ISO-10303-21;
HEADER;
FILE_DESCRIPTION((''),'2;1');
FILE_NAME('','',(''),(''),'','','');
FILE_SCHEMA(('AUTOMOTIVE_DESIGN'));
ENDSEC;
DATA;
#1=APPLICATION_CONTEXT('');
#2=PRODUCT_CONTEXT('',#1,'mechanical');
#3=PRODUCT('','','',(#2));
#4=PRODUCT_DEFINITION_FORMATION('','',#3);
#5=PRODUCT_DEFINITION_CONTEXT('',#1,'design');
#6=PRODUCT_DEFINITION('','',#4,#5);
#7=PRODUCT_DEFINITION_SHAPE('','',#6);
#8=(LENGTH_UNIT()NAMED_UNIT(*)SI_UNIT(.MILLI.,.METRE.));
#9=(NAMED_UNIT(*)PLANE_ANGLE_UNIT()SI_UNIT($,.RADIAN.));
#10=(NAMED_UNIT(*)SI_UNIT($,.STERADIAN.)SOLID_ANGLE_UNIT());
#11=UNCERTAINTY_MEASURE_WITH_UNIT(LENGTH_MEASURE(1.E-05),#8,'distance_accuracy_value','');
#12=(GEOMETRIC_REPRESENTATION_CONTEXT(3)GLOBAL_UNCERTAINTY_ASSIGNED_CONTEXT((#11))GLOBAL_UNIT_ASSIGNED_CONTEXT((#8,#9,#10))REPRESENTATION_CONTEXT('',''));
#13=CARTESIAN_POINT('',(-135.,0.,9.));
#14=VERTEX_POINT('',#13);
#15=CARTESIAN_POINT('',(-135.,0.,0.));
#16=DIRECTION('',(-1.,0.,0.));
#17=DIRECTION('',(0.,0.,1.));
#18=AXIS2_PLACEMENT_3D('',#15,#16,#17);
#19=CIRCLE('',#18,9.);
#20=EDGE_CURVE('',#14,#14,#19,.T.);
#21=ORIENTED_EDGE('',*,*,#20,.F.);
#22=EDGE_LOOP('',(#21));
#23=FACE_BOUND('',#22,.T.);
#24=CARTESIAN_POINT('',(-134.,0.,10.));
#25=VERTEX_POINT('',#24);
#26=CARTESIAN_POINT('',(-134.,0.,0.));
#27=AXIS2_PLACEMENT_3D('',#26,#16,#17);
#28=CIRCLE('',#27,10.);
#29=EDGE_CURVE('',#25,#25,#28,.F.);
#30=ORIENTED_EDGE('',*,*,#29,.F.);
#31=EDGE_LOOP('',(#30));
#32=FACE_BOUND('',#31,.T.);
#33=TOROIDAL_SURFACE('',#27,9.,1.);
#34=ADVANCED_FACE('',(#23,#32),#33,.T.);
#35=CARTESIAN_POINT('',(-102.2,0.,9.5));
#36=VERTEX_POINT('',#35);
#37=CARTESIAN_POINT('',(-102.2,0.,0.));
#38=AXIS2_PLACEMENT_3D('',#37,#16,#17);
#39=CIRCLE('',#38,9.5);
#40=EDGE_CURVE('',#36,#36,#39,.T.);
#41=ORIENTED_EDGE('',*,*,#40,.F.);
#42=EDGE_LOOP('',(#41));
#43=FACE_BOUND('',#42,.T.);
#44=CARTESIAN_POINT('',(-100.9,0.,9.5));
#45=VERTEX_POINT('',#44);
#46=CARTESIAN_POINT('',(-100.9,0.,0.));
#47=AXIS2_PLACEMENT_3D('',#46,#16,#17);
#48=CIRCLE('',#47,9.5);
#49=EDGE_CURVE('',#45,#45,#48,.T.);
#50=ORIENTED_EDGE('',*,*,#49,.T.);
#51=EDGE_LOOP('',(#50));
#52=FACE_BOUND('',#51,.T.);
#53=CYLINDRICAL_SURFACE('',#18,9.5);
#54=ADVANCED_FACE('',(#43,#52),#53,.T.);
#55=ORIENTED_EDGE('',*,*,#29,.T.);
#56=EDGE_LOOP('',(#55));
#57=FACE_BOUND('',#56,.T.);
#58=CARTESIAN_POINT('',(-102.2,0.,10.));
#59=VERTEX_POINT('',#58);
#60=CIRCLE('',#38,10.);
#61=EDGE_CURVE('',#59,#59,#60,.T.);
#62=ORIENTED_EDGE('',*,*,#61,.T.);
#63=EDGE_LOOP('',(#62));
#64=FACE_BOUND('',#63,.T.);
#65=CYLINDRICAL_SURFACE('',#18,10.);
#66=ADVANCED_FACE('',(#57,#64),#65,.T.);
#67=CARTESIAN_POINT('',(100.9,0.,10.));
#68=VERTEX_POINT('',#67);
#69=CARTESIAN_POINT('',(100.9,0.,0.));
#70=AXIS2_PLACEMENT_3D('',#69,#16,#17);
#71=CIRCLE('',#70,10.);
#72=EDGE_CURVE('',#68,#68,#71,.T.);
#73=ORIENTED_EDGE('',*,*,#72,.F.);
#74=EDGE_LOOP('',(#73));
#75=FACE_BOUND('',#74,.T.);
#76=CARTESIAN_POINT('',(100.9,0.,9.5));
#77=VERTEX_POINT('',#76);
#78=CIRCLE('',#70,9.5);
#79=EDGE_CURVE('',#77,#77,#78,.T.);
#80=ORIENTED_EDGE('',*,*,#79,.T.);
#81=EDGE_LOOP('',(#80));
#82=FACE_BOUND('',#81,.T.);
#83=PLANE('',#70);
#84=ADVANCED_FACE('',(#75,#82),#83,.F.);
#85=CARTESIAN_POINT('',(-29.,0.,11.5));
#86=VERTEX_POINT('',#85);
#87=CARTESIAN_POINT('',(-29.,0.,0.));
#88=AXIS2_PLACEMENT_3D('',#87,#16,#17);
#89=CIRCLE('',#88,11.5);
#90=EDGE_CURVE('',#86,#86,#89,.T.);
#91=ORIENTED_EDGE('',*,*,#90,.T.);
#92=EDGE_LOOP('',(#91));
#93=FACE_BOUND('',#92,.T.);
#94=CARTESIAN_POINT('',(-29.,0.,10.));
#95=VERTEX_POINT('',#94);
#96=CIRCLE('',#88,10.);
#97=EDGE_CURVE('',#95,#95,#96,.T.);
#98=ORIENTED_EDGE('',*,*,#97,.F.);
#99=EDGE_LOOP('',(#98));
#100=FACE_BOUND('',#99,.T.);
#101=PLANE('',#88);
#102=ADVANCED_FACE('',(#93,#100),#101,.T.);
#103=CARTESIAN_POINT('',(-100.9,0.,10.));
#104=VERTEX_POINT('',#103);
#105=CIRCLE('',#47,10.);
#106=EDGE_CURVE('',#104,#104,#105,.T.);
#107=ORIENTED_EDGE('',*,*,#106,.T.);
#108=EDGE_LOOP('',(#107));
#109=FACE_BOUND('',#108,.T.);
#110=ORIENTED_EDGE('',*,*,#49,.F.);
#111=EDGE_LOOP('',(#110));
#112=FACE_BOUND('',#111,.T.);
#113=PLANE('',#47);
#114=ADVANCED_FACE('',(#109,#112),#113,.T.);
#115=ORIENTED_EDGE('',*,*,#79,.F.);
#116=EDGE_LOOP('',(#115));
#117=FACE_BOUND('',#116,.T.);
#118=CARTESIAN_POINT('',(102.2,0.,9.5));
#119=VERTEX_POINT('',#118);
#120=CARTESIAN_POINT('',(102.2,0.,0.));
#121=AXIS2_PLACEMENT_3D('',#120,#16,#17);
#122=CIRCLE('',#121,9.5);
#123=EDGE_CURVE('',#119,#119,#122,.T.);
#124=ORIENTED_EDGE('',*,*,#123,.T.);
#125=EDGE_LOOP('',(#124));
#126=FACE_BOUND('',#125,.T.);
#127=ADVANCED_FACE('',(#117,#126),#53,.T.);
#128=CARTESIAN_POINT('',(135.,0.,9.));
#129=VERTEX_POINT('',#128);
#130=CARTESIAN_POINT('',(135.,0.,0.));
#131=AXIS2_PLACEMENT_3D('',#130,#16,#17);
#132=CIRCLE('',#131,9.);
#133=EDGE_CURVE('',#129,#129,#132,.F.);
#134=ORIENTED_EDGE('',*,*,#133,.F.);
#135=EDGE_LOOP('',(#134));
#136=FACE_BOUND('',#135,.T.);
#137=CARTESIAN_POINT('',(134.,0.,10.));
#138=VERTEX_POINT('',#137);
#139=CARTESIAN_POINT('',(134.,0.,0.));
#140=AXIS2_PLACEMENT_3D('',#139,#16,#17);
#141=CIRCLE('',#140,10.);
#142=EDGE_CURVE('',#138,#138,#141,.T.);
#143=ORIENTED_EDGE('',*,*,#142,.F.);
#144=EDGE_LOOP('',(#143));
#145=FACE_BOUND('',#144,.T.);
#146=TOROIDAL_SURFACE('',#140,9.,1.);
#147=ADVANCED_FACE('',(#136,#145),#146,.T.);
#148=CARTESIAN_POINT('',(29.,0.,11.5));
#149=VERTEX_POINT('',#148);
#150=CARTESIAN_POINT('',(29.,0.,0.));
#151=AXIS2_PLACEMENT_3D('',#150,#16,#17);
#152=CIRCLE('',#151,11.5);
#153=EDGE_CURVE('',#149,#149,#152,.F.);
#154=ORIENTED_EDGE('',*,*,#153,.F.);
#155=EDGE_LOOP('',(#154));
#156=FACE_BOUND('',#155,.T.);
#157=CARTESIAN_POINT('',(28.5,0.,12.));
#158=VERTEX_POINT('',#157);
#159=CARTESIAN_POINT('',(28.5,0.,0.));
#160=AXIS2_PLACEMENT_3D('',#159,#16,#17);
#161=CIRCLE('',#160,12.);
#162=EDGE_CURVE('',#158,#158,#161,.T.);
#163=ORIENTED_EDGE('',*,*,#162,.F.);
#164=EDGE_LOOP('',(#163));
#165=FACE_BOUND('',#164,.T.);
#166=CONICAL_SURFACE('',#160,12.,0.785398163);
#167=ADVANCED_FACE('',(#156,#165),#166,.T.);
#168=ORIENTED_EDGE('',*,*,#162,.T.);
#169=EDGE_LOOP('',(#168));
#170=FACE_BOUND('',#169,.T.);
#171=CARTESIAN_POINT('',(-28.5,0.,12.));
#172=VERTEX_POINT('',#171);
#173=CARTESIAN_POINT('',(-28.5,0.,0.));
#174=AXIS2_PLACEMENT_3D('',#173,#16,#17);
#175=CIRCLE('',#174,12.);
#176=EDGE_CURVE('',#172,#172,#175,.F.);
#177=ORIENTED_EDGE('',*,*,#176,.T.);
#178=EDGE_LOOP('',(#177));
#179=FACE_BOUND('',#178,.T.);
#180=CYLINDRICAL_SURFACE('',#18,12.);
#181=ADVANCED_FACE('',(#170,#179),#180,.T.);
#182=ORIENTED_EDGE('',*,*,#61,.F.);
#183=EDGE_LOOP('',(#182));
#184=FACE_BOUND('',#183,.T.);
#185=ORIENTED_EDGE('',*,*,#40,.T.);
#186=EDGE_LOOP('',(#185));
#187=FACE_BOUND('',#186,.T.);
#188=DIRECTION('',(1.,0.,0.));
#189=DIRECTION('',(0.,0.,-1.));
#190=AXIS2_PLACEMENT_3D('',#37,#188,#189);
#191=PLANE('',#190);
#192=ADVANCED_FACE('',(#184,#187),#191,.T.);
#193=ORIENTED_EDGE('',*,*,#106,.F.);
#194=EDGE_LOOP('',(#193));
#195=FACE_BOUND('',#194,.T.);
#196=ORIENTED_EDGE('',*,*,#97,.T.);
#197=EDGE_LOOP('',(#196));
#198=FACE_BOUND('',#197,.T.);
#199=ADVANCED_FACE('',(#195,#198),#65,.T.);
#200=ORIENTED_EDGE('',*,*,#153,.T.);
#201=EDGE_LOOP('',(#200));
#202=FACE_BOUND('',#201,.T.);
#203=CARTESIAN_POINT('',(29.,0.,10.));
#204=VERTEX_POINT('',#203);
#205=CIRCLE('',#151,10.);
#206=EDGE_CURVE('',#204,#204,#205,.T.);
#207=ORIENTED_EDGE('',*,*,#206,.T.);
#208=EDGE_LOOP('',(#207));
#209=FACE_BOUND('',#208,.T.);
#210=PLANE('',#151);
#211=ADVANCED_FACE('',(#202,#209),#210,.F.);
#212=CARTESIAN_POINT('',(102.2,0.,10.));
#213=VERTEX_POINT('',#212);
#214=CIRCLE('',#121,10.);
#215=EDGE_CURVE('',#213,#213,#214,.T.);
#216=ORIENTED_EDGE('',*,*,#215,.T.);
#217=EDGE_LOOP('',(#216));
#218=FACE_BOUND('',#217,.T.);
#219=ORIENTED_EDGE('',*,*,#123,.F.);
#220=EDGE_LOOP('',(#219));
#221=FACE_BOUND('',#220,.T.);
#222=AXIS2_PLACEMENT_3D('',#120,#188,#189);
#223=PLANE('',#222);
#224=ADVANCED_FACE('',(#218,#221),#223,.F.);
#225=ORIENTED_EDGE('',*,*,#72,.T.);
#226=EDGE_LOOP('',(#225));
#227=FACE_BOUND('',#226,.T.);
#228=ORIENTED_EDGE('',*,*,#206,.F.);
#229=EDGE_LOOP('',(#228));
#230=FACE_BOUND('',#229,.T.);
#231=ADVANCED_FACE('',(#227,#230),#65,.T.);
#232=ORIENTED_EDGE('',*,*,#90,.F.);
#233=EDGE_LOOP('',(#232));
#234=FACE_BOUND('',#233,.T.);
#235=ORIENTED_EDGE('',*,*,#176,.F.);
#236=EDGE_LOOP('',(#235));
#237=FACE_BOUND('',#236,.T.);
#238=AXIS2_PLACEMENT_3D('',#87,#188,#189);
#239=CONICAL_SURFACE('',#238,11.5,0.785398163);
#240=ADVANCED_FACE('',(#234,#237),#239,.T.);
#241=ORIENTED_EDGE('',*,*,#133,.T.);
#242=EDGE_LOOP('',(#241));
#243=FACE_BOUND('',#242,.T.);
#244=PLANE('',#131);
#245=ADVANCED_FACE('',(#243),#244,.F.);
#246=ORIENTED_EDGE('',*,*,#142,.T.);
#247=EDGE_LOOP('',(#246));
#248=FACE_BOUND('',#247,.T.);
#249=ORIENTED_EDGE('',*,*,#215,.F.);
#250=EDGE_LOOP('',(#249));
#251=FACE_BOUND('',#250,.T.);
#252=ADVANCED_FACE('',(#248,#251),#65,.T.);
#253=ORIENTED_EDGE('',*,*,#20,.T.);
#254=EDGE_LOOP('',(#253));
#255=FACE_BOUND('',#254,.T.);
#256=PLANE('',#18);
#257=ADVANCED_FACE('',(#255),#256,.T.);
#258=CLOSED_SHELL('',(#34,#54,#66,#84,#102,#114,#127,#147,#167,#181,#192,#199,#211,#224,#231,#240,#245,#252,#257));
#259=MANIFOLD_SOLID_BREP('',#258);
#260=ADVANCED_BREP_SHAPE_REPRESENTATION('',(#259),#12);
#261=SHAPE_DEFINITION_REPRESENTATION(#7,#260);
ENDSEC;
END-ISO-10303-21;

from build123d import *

# Parameters (mm, degrees)
CHAMFER1_SIZE = 0.5
FILLET1_R     = 1


with BuildPart() as part:
    # Sketch1 → Revolve1 (revolve)
    with BuildSketch(Plane(origin=(0, 0, 0), x_dir=(1, 0, 0), z_dir=(0, 1, 0)), mode=Mode.PRIVATE) as revolve1_sk:
        Polygon((-135, 10), (-135, 0), (135, 0), (135, 8), (135, 10), (102.2, 10), (102.2, 9.5), (100.9, 9.5), (100.9, 10), (29, 10), (29, 12), (-29, 12), (-29, 10), (-100.9, 10), (-100.9, 9.5), (-102.2, 9.5), (-102.2, 10), align=None)
    revolve(revolve1_sk.sketch.rotate(Axis((-135, 0, 0), (1, 0, 0)), 180), axis=Axis((-135, 0, 0), (1, 0, 0)))

    # Chamfer1
    chamfer1_edges = [part.edges().sort_by_distance(p)[0] for p in [
        (-29, 0, -12),
        (29, 0, -12),
    ]]
    chamfer(chamfer1_edges, length=CHAMFER1_SIZE)

    # Fillet1
    fillet1_edges = [part.edges().sort_by_distance(p)[0] for p in [
        (-135, 0, -10),
        (135, 0, -10),
    ]]
    fillet(fillet1_edges, radius=FILLET1_R)


solid = part.part
